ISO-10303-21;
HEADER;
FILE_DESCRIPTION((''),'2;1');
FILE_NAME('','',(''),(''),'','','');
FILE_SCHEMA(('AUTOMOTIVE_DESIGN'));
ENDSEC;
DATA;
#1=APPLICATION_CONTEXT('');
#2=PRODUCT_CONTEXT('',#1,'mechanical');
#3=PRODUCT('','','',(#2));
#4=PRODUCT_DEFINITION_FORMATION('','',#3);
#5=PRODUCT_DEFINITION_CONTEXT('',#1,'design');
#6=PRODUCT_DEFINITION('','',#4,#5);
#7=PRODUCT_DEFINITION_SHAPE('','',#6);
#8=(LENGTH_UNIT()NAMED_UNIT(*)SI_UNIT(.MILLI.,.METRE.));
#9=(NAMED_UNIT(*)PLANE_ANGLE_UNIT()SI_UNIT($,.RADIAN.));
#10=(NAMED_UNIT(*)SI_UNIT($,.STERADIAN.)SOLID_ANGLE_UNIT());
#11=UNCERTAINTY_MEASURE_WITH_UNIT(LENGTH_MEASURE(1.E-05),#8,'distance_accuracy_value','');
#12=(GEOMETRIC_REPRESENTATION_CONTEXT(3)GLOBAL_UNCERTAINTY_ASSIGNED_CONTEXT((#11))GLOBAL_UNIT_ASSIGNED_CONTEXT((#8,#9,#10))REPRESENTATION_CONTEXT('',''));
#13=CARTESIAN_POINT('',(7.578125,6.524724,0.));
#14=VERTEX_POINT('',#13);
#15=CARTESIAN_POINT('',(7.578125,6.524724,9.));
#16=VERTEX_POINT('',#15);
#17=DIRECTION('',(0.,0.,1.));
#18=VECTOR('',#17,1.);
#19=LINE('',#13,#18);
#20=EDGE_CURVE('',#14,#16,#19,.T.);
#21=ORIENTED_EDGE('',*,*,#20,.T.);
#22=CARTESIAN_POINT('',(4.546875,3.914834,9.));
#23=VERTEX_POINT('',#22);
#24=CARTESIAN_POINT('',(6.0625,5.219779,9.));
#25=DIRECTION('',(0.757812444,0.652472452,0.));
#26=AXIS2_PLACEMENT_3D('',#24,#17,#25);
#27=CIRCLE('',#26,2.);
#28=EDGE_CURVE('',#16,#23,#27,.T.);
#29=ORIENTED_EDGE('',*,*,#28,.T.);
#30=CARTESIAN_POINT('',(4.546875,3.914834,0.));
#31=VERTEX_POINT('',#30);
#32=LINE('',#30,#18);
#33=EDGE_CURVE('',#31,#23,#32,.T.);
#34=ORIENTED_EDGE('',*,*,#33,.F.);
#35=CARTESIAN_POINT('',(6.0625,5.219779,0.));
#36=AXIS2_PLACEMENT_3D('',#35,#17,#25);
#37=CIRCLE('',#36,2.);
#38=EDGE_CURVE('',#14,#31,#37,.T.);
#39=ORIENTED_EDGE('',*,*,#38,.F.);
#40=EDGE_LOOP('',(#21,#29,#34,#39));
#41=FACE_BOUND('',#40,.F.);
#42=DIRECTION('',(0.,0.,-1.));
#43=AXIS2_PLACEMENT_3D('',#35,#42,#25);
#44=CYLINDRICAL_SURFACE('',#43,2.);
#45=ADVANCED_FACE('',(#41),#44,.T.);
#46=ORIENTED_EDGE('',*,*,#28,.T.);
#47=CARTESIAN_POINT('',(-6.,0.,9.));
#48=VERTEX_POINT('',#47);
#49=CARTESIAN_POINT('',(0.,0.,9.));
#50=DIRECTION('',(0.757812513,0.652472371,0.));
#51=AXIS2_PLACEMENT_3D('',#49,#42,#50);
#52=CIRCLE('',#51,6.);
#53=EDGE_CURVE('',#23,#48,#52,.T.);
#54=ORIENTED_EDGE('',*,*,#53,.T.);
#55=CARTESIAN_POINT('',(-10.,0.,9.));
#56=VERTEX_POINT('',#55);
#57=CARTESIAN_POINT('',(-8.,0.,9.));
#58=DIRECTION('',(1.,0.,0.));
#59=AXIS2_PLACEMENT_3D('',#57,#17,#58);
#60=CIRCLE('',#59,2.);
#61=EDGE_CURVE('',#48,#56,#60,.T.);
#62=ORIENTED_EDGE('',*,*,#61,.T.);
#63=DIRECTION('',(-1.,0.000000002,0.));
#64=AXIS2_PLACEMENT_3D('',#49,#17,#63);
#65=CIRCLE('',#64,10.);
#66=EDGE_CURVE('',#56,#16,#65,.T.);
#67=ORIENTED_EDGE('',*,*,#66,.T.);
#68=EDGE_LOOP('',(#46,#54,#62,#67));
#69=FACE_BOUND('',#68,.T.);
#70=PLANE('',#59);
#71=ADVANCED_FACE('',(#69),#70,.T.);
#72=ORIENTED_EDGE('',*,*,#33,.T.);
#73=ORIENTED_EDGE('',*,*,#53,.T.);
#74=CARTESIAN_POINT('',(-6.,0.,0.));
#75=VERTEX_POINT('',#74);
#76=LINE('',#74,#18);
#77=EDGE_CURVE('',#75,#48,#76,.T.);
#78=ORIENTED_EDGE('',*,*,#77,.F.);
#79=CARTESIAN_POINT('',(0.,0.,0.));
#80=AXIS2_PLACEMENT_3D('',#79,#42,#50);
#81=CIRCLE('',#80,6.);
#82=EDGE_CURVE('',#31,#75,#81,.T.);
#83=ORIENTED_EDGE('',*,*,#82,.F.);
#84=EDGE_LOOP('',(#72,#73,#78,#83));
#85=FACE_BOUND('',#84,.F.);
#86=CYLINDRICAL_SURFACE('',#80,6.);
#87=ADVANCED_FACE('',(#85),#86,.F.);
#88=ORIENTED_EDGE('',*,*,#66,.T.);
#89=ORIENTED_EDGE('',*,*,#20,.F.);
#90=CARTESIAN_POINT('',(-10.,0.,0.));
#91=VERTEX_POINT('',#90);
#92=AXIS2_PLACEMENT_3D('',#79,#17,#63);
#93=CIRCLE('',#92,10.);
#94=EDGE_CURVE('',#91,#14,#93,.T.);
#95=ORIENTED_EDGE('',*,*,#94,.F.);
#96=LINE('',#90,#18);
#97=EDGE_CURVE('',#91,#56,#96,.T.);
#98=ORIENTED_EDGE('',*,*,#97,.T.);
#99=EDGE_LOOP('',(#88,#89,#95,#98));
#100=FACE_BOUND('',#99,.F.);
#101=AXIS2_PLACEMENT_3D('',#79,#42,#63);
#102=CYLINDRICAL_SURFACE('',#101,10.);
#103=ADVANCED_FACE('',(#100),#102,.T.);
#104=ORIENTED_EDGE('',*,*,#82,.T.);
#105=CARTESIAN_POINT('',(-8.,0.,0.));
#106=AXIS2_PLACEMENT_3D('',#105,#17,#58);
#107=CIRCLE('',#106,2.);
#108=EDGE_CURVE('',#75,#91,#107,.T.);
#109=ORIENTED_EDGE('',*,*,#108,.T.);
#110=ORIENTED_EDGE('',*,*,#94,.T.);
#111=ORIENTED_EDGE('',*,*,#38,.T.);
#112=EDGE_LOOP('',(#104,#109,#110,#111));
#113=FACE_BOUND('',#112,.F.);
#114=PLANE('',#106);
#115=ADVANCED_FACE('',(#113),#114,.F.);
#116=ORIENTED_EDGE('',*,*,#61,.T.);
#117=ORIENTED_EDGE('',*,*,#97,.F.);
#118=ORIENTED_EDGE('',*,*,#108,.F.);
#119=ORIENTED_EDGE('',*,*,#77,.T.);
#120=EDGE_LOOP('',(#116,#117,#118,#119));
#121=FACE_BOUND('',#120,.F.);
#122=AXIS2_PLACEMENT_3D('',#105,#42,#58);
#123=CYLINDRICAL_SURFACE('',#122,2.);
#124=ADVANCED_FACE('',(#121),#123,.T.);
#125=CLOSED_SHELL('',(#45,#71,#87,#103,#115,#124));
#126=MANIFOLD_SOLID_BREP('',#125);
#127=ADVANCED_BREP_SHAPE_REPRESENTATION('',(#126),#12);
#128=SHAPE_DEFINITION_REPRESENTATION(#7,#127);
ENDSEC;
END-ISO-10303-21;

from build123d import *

# Parameters (mm, degrees)
F1_DEPTH = 9


with BuildPart() as f1:
    # F0 (on Top) → F1 (new body)
    with BuildSketch(Plane.XY):
        with BuildLine():
            ThreePointArc((-10, 0), (-8, -2), (-6, 0))
            ThreePointArc((-6, 0), (-8, 2), (-10, 0))
        make_face()
        with BuildLine():
            ThreePointArc((4.546875, 3.914834), (2.087912, -5.625), (-6, 0))
            ThreePointArc((-6, 0), (-8, -2), (-10, 0))
            ThreePointArc((-10, 0), (3.479853, -9.375), (7.578125, 6.524724))
            ThreePointArc((7.578125, 6.524724), (7.9375, 5.91575), (8.0625, 5.219779))
            ThreePointArc((8.0625, 5.219779), (6.758471, 3.344779), (4.546875, 3.914834))
        make_face()
        with BuildLine():
            ThreePointArc((7.578125, 6.524724), (4.757555, 6.735404), (4.546875, 3.914834))
            ThreePointArc((4.546875, 3.914834), (6.758471, 3.344779), (8.0625, 5.219779))
            ThreePointArc((8.0625, 5.219779), (7.9375, 5.91575), (7.578125, 6.524724))
        make_face()
    extrude(amount=F1_DEPTH)


solid = f1.part
